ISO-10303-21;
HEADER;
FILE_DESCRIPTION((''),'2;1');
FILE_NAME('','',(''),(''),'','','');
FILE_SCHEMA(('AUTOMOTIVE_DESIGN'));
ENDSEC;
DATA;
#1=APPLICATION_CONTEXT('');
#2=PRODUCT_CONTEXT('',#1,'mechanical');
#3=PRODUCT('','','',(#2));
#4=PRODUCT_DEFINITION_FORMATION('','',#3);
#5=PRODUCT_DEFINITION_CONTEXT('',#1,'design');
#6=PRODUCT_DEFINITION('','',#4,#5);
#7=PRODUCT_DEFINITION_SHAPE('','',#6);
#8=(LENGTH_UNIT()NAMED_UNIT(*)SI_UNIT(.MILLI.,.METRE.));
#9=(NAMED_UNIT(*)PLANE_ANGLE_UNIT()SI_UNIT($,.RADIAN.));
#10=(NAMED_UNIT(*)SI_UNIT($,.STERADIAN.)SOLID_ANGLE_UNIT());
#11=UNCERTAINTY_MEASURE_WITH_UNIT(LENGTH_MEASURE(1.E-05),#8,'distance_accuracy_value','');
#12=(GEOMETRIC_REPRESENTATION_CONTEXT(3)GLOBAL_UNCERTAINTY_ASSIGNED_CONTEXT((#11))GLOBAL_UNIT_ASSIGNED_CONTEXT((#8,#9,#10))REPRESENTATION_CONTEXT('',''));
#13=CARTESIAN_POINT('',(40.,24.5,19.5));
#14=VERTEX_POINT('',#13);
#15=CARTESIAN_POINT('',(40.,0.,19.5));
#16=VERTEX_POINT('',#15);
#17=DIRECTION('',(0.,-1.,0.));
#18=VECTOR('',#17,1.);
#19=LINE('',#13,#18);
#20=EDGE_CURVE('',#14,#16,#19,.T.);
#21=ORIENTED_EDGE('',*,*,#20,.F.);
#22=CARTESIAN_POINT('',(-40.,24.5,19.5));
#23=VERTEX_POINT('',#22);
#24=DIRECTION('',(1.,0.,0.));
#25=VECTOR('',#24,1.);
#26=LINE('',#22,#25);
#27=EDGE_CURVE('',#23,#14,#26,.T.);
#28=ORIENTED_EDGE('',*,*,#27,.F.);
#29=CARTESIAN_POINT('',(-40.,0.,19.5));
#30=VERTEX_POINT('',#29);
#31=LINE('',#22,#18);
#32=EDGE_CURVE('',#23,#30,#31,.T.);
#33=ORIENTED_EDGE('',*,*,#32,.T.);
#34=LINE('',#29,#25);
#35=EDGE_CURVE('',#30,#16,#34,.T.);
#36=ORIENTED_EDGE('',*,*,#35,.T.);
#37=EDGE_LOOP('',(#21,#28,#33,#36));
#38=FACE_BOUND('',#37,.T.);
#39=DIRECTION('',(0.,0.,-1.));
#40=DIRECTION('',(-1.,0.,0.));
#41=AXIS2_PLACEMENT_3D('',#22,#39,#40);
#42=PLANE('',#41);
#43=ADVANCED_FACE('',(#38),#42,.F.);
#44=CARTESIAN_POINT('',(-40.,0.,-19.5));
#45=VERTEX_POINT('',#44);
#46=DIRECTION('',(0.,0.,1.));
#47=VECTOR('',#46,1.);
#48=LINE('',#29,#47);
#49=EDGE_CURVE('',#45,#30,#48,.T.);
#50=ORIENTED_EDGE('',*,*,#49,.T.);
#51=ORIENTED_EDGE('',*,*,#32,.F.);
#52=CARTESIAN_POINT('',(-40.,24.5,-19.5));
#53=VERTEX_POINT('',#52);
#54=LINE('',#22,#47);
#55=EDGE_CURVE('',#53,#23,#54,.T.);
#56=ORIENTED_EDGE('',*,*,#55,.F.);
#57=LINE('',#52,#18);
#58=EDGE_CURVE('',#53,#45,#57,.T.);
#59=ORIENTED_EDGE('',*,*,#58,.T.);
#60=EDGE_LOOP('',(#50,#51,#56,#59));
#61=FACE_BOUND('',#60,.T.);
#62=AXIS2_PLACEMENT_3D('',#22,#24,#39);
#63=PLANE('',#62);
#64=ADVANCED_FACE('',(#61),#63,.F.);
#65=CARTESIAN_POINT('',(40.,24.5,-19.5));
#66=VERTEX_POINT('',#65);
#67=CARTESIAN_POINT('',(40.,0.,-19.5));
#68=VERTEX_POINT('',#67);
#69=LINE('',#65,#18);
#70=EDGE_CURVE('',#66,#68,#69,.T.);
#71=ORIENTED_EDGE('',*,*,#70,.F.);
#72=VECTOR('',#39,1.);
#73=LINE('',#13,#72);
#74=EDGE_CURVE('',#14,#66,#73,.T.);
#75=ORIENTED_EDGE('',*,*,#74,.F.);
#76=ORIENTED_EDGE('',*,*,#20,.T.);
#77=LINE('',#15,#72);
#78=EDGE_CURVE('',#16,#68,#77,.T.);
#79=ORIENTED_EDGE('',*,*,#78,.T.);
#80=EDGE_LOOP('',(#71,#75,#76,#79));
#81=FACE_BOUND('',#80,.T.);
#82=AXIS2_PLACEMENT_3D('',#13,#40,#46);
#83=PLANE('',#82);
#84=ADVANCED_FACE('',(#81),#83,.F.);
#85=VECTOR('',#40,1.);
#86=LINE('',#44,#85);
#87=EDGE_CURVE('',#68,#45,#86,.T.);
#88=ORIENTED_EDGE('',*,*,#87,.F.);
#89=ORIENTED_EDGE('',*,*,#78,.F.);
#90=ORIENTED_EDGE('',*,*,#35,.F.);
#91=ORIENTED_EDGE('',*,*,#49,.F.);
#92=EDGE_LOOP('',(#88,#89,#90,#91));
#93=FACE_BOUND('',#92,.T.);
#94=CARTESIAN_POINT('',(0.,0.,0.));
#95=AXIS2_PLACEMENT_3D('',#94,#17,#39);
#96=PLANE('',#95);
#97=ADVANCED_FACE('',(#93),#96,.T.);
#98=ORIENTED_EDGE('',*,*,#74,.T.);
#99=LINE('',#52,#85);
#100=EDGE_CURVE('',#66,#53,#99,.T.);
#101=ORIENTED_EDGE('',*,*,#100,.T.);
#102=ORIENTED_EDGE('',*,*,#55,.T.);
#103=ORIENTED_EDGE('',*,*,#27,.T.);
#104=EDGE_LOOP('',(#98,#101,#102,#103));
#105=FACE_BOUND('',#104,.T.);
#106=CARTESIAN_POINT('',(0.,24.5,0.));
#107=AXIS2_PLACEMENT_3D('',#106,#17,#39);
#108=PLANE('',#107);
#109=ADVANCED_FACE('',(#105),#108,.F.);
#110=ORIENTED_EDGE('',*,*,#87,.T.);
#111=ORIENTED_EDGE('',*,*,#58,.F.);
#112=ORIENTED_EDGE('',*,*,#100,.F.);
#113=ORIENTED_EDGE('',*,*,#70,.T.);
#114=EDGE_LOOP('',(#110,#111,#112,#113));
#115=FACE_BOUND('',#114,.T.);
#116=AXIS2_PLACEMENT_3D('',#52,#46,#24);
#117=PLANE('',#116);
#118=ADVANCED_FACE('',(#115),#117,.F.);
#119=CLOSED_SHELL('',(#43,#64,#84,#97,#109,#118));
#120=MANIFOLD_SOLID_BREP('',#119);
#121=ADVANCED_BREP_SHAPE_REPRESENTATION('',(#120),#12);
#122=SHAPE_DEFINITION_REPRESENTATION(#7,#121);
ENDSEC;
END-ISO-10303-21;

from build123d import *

# Parameters (mm, degrees)
SKETCH1_W           = 80
SKETCH1_H           = 39
BOSS_EXTRUDE1_DEPTH = 24.5


with BuildPart() as part:
    # Sketch1 → Boss-Extrude1 (new body)
    with BuildSketch(Plane(origin=(0, 0, 0), x_dir=(1, 0, 0), z_dir=(0, 1, 0))):
        Rectangle(SKETCH1_W, SKETCH1_H)
    extrude(amount=BOSS_EXTRUDE1_DEPTH)


solid = part.part
